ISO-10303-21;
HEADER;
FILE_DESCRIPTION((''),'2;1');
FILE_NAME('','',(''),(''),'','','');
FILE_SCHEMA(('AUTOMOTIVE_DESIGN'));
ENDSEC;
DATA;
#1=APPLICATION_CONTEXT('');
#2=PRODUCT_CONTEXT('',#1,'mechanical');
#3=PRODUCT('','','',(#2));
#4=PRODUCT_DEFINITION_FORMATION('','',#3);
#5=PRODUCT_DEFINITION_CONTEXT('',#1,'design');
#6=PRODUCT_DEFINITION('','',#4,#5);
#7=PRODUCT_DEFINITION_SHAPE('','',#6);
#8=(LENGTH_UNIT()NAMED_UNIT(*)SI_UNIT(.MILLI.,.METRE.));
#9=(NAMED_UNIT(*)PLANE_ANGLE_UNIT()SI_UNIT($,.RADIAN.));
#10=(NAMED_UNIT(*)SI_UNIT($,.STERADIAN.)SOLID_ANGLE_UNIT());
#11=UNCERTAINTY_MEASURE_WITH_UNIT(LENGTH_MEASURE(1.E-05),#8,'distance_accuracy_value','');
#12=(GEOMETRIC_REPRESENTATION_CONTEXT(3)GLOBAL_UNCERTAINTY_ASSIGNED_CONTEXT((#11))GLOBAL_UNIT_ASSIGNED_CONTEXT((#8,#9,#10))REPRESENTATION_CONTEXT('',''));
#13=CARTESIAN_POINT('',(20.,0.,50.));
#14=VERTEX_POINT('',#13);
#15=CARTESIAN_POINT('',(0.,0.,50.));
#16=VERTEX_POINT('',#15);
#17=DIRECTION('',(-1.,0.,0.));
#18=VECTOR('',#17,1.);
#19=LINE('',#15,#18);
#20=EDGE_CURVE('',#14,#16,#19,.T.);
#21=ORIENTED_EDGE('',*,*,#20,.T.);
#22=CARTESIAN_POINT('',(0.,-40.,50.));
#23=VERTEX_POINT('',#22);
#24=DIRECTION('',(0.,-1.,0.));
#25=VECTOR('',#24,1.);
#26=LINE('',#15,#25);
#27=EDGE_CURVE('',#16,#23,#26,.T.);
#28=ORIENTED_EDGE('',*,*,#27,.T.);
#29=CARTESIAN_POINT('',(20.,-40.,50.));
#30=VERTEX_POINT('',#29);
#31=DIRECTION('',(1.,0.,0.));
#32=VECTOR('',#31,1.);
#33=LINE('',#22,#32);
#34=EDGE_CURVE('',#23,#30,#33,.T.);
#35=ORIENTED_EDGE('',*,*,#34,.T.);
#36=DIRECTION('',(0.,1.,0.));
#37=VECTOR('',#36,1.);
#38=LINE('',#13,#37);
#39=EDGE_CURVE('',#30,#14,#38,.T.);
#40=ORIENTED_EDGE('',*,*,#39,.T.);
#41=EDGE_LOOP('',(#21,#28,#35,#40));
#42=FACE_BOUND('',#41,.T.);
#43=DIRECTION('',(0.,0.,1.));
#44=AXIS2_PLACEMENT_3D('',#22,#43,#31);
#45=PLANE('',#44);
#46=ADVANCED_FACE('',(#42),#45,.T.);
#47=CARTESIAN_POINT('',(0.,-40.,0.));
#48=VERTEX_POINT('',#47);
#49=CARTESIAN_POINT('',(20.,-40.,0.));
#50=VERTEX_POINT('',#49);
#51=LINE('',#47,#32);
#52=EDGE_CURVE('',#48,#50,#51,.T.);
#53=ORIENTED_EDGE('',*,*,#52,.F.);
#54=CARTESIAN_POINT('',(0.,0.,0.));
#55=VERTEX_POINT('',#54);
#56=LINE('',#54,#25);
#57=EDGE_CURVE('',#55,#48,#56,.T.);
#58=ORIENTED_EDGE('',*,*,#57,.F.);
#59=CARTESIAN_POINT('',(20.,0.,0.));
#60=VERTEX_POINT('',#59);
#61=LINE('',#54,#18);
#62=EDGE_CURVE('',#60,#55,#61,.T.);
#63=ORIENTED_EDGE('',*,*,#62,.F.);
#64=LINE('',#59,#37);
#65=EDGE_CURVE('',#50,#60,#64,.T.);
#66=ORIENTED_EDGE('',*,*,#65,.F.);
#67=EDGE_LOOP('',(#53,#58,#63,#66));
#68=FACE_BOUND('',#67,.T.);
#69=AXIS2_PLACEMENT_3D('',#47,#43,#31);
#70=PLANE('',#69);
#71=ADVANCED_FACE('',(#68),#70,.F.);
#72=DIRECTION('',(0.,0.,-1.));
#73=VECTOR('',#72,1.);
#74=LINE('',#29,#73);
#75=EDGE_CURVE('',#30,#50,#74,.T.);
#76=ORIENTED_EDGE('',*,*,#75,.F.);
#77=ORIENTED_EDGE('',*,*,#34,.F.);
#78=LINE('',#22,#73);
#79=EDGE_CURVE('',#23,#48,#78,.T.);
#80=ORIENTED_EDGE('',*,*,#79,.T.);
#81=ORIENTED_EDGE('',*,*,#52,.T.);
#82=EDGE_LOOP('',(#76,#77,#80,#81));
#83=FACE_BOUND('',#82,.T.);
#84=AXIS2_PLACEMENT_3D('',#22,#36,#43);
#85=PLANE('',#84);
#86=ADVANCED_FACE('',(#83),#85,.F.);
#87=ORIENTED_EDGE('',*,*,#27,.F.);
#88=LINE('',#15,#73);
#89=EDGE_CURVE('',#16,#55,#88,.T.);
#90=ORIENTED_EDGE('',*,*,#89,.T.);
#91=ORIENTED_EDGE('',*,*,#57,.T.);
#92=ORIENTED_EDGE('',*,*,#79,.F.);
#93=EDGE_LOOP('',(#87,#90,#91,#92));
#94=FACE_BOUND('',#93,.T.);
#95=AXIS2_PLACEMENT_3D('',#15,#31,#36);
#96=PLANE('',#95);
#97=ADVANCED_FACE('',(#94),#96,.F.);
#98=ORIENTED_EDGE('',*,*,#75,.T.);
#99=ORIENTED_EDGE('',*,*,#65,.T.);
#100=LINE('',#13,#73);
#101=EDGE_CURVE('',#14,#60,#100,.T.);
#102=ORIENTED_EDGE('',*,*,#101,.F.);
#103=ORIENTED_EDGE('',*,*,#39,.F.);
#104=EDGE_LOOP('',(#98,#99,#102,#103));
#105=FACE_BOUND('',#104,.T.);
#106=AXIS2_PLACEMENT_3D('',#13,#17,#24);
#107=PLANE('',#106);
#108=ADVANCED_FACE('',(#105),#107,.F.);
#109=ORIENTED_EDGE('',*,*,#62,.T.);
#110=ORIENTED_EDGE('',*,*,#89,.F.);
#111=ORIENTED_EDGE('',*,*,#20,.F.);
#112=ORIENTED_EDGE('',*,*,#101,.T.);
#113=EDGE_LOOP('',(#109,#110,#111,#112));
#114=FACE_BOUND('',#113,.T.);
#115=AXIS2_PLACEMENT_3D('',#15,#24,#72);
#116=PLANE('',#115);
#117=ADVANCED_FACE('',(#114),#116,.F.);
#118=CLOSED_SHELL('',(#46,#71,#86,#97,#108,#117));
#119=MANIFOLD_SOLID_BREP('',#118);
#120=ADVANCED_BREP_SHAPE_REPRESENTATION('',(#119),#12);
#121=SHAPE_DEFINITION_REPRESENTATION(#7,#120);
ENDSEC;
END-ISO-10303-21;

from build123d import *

# Parameters (mm, degrees)
SKETCH1_W      = 20
SKETCH1_H      = 40
EXTRUDE1_DEPTH = 50


with BuildPart() as part:
    # Sketch1 → Extrude1 (new body)
    with BuildSketch(Plane.XY):
        with Locations((10, -20)):
            Rectangle(SKETCH1_W, SKETCH1_H)
    extrude(amount=EXTRUDE1_DEPTH)


solid = part.part
